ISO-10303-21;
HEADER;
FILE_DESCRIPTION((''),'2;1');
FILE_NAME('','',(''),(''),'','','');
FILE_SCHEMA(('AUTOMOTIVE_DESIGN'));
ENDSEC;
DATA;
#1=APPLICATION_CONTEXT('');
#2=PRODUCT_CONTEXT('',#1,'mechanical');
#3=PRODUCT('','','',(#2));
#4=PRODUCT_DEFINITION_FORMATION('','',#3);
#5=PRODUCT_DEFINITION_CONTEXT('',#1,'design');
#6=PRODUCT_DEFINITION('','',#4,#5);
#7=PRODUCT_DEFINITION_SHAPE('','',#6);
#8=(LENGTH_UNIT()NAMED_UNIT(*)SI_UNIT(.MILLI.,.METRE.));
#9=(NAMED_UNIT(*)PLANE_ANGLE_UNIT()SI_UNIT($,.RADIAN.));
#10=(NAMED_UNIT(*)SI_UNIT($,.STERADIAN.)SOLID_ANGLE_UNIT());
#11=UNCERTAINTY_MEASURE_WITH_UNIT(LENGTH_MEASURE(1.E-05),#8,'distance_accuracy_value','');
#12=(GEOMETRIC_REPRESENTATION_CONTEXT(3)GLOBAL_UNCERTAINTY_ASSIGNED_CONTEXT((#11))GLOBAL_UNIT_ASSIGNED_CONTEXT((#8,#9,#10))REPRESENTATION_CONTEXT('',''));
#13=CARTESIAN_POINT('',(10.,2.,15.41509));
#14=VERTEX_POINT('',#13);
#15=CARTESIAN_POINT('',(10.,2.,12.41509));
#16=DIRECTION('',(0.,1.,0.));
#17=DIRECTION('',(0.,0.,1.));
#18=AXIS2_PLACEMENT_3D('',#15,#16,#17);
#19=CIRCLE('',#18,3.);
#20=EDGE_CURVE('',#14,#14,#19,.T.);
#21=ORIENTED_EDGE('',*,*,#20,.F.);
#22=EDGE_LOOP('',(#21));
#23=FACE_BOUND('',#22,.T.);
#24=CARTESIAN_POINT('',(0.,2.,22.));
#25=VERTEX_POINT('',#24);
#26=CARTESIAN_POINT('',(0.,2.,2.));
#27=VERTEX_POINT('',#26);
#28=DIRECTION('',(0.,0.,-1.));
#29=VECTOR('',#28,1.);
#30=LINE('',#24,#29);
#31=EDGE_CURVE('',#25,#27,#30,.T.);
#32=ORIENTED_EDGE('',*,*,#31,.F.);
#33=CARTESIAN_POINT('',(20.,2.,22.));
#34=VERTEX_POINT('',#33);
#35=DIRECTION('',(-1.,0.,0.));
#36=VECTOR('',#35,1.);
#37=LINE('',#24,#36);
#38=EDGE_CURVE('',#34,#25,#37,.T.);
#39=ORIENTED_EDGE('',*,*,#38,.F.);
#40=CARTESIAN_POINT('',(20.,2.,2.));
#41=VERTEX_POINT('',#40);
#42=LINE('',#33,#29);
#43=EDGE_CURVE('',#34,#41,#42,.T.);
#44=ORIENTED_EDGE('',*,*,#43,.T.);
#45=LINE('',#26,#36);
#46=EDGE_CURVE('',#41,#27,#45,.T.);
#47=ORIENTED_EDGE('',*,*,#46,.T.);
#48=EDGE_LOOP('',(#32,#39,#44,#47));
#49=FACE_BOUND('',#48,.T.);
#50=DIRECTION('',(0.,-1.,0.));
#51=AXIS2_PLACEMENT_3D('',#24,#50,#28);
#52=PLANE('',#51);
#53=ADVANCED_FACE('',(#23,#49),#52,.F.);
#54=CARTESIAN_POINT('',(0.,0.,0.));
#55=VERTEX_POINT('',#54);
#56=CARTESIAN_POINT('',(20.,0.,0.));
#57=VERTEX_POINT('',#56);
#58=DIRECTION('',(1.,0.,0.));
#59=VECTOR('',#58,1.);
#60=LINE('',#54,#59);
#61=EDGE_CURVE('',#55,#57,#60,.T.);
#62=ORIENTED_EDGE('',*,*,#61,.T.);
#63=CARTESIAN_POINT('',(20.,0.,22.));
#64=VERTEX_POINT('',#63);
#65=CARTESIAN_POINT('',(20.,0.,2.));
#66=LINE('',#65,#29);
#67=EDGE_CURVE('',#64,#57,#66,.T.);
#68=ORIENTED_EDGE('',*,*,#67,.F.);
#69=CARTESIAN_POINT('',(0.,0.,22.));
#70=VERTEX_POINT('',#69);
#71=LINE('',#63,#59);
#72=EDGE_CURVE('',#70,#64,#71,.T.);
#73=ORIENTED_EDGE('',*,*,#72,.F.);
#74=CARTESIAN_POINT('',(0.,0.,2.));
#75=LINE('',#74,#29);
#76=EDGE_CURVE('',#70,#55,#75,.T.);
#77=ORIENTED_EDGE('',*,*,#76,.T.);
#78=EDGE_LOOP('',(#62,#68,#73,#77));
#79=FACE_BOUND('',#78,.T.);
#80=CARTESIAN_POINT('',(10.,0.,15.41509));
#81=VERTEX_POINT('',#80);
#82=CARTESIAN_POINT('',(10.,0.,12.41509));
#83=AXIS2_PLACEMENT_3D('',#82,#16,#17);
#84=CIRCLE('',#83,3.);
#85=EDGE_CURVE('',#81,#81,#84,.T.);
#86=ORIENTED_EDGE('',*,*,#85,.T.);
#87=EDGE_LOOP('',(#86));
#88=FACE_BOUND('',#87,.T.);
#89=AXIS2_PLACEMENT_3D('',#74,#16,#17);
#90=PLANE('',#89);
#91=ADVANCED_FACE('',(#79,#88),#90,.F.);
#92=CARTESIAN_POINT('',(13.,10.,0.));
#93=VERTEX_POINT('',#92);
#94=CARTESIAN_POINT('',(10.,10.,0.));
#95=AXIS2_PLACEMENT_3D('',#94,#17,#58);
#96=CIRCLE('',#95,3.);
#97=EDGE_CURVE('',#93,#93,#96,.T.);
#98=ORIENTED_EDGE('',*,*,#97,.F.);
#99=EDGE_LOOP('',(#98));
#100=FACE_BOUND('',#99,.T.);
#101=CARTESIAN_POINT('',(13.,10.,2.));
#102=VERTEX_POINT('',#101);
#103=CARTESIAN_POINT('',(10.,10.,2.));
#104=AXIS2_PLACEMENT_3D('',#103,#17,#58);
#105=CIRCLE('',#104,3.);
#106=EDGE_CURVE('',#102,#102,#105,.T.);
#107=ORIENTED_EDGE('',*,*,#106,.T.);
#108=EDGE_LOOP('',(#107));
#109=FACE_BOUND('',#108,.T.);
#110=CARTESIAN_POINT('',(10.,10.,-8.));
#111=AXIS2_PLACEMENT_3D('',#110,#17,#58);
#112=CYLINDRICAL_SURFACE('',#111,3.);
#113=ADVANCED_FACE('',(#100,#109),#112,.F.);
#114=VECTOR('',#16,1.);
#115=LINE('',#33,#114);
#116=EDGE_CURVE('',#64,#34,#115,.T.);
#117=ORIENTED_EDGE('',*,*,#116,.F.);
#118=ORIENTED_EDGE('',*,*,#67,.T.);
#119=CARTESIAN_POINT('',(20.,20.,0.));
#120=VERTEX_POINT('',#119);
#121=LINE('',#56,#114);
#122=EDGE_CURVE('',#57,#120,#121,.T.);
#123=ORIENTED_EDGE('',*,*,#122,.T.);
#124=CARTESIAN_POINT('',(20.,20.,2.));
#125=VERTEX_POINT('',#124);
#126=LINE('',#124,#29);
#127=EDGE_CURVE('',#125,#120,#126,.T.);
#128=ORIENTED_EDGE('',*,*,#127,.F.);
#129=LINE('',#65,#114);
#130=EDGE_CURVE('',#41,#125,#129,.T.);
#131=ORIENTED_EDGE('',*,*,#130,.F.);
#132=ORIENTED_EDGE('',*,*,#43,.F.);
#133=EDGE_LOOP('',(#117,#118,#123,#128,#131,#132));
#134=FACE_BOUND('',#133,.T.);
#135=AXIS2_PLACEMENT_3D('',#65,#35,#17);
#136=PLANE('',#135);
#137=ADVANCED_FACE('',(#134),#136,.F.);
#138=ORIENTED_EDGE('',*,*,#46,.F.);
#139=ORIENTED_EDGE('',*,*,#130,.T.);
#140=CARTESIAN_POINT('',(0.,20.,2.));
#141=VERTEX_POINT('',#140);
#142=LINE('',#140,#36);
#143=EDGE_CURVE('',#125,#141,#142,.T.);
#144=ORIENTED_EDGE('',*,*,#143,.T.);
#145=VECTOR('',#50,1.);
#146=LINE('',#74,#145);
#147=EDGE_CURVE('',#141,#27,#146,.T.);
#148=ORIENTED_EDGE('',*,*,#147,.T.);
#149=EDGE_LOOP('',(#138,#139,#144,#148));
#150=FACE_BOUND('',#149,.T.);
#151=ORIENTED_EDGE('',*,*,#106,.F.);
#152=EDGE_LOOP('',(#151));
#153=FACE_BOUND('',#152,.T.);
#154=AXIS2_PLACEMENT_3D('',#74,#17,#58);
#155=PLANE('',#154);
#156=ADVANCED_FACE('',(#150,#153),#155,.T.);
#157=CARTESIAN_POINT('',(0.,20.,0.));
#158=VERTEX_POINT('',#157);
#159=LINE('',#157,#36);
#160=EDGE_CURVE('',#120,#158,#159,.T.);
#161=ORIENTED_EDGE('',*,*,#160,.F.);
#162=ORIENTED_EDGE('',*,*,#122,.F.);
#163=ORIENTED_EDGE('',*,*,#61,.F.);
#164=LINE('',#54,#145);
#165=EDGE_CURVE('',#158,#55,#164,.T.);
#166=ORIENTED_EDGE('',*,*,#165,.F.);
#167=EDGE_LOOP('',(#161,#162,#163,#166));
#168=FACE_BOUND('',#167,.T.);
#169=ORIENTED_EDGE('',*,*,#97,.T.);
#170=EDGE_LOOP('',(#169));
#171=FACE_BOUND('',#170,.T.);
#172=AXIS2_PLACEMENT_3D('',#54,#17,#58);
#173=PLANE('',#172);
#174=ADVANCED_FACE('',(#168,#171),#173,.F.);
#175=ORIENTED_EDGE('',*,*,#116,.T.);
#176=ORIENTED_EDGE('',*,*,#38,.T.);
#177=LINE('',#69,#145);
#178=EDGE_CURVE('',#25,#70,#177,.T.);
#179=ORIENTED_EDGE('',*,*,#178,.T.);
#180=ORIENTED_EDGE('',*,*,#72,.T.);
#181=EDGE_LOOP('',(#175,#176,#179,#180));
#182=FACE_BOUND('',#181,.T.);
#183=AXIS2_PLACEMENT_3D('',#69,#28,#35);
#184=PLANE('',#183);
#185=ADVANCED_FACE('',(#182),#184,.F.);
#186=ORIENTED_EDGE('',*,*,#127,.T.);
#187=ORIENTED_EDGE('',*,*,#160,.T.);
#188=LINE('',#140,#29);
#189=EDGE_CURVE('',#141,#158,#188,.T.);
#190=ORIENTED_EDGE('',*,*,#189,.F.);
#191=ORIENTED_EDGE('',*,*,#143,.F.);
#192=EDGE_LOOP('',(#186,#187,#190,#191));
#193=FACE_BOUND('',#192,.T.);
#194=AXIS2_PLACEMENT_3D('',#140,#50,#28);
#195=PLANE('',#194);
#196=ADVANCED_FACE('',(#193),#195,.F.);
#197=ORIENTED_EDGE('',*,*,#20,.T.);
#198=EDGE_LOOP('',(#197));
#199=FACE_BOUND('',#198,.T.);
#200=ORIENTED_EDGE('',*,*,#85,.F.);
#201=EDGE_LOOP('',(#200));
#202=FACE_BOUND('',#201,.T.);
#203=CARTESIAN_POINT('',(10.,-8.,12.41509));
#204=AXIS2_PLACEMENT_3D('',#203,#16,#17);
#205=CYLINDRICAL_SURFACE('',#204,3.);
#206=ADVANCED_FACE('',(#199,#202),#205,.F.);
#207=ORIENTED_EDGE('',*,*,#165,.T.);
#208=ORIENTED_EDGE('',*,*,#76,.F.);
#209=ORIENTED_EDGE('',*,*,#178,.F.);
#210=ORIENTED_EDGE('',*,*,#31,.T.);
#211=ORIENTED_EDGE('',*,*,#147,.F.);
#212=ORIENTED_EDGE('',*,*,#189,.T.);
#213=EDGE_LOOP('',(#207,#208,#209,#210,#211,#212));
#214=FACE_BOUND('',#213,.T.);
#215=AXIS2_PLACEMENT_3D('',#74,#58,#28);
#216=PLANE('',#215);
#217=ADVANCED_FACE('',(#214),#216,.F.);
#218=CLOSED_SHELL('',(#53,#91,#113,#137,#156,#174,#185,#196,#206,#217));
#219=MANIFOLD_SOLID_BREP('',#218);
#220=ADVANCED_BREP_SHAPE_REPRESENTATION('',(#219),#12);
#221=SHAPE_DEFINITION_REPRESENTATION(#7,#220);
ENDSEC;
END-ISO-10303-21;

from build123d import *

# Parameters (mm, degrees)
SKETCH2_W           = 20
SKETCH2_H           = 20
BOSS_EXTRUDE1_DEPTH = 2
SKETCH3_W           = 20
SKETCH3_H           = 2
BOSS_EXTRUDE2_DEPTH = 20
SKETCH4_R           = 3
CUT_EXTRUDE1_DEPTH  = 10
SKETCH5_R           = 3
CUT_EXTRUDE2_DEPTH  = 10


with BuildPart() as part:
    # Sketch2 → Boss-Extrude1 (new body)
    with BuildSketch(Plane.XY):
        with Locations((10, 10)):
            Rectangle(SKETCH2_W, SKETCH2_H)
    extrude(amount=BOSS_EXTRUDE1_DEPTH)

    # Sketch3 → Boss-Extrude2 (add)
    with BuildSketch(Plane.XY.offset(2)):
        with Locations((10, 1)):
            Rectangle(SKETCH3_W, SKETCH3_H)
    extrude(amount=BOSS_EXTRUDE2_DEPTH)

    # Sketch4 → Cut-Extrude1 (cut)
    with BuildSketch(Plane(origin=(0, 2, 0), x_dir=(1, 0, 0), z_dir=(0, 1, 0))):
        with Locations((10, -12.415090131)):
            Circle(SKETCH4_R)
    extrude(amount=-CUT_EXTRUDE1_DEPTH, mode=Mode.SUBTRACT)

    # Sketch5 → Cut-Extrude2 (cut)
    with BuildSketch(Plane.XY.offset(2)):
        with Locations((10, 10)):
            Circle(SKETCH5_R)
    extrude(amount=-CUT_EXTRUDE2_DEPTH, mode=Mode.SUBTRACT)


solid = part.part
